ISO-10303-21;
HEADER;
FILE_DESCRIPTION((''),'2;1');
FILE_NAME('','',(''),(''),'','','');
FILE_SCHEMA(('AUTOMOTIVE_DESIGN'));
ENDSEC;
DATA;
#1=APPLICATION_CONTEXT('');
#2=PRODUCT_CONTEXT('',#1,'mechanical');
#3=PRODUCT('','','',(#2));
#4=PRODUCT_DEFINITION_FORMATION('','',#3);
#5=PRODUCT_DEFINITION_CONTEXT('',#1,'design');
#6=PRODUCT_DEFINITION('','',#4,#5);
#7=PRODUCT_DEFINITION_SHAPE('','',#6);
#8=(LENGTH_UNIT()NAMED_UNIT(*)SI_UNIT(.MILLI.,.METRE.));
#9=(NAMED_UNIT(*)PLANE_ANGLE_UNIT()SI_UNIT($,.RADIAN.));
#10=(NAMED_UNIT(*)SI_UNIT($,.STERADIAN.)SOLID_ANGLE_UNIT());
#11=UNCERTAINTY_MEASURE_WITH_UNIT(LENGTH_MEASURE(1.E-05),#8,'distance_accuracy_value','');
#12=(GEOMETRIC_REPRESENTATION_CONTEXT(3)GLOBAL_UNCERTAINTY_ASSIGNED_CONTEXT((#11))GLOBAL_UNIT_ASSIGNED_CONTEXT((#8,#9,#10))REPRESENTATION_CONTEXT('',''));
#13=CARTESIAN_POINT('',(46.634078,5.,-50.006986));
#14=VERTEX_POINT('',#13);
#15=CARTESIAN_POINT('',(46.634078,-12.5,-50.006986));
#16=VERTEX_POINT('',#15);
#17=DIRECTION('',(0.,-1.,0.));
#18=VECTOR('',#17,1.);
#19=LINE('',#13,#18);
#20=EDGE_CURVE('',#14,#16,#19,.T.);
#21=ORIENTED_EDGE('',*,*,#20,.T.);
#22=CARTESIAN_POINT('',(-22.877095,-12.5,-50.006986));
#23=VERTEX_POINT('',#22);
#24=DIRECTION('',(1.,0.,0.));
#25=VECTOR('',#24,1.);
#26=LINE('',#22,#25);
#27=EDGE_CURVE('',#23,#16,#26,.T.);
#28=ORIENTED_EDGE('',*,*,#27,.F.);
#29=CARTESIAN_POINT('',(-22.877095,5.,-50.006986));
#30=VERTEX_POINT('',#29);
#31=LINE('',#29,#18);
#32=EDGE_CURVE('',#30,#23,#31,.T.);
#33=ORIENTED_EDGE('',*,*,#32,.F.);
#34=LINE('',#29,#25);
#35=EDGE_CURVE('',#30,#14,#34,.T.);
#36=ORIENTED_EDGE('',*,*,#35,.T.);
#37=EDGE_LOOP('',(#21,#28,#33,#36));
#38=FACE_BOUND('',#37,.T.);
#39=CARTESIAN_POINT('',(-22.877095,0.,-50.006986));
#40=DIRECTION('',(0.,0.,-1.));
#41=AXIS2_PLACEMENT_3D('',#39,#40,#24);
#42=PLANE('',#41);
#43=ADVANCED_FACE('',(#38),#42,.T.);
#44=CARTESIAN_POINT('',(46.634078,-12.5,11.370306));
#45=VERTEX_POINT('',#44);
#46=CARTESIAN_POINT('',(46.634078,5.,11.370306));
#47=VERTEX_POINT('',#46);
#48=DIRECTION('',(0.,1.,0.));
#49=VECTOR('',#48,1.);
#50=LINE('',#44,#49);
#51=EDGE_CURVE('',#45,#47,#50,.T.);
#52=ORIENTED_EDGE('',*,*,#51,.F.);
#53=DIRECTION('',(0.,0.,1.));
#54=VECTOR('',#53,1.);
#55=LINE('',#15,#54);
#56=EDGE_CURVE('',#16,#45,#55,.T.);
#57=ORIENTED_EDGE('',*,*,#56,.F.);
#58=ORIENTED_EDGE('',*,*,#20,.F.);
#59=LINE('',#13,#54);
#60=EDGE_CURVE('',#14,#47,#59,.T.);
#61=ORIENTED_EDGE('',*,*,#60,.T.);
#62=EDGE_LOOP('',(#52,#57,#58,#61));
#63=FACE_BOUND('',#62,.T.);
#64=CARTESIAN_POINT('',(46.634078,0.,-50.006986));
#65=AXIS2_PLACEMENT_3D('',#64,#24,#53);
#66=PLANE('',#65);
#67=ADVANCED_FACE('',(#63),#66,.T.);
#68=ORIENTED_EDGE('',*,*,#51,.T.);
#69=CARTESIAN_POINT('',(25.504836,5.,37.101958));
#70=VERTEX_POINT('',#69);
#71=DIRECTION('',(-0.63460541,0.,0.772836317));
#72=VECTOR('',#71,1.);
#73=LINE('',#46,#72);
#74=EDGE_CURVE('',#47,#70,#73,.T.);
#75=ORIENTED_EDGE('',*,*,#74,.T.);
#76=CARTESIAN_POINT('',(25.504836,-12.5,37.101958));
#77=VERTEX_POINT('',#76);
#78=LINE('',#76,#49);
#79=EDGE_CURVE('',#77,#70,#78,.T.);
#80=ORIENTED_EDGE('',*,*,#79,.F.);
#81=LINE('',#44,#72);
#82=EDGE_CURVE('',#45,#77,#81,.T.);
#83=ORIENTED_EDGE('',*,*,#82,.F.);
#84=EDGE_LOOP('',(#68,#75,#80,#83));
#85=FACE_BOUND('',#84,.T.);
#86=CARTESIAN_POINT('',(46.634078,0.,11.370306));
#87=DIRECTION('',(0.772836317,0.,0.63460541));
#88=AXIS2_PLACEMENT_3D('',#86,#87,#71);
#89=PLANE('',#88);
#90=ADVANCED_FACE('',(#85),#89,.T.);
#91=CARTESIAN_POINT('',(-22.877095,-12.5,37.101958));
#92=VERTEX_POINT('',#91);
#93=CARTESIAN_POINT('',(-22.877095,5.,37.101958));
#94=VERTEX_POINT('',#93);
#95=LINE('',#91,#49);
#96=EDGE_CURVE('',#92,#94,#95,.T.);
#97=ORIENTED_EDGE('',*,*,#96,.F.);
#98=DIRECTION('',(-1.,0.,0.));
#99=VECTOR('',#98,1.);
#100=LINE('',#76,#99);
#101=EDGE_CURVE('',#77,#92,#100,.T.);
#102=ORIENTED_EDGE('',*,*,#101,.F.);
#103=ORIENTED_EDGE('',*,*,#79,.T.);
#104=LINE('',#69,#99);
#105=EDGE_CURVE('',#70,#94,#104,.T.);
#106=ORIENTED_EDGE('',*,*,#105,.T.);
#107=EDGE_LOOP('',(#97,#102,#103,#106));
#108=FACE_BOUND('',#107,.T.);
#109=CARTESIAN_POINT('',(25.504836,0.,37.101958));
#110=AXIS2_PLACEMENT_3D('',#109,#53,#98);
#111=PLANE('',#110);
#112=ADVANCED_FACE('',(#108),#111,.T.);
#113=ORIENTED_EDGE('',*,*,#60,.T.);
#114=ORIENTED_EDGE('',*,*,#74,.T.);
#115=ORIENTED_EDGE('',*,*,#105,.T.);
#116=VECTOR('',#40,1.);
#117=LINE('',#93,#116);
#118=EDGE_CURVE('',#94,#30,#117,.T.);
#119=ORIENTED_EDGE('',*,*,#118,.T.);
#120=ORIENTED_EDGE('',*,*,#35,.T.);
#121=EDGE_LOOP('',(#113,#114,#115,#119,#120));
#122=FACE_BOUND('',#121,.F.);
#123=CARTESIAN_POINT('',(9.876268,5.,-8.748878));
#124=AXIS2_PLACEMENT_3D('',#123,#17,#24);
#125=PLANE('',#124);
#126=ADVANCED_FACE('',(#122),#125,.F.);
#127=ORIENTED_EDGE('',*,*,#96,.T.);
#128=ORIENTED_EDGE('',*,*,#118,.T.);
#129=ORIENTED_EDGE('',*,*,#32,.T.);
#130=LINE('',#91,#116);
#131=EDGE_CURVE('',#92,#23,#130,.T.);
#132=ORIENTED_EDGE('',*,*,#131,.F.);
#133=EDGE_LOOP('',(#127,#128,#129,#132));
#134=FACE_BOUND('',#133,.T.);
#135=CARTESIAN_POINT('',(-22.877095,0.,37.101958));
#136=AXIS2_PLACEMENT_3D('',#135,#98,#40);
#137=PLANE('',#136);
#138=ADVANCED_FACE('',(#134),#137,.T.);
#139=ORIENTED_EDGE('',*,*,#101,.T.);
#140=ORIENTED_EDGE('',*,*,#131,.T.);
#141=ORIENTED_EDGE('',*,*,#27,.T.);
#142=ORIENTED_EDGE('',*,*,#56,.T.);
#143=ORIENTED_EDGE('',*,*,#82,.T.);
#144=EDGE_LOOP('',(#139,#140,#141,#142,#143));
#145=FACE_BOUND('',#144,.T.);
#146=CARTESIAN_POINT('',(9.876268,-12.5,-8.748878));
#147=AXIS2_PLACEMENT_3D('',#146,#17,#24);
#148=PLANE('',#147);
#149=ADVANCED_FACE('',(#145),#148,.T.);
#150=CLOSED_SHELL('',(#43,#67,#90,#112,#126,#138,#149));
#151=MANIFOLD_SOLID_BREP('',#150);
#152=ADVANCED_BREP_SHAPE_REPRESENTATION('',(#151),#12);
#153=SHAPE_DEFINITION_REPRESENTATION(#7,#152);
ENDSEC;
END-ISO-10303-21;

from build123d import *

# Parameters (mm, degrees)
F1_DEPTH = 5
F2_DEPTH = 7.5


with BuildPart() as f1:
    # F0 (on Front) → F1 (new body, symmetric)
    with BuildSketch(Plane.XZ):
        Polygon((-22.877095, 37.101958), (-22.877095, -50.006986), (46.634078, -50.006986), (46.634078, 11.370306), (25.504836, 37.101958), align=None)
    extrude(amount=F1_DEPTH, both=True)

    # F1_face (on face) → F2 (join, symmetric)
    with BuildSketch(Plane(origin=(10.575837, -5, -8.096655), x_dir=(1, 0, 0), z_dir=(0, -1, 0))):
        Polygon((14.928999, 45.198613), (-33.452932, 45.198613), (-33.452932, -41.910331), (36.058241, -41.910331), (36.058241, 19.466961), align=None)
    extrude(amount=F2_DEPTH, both=True)


solid = f1.part
